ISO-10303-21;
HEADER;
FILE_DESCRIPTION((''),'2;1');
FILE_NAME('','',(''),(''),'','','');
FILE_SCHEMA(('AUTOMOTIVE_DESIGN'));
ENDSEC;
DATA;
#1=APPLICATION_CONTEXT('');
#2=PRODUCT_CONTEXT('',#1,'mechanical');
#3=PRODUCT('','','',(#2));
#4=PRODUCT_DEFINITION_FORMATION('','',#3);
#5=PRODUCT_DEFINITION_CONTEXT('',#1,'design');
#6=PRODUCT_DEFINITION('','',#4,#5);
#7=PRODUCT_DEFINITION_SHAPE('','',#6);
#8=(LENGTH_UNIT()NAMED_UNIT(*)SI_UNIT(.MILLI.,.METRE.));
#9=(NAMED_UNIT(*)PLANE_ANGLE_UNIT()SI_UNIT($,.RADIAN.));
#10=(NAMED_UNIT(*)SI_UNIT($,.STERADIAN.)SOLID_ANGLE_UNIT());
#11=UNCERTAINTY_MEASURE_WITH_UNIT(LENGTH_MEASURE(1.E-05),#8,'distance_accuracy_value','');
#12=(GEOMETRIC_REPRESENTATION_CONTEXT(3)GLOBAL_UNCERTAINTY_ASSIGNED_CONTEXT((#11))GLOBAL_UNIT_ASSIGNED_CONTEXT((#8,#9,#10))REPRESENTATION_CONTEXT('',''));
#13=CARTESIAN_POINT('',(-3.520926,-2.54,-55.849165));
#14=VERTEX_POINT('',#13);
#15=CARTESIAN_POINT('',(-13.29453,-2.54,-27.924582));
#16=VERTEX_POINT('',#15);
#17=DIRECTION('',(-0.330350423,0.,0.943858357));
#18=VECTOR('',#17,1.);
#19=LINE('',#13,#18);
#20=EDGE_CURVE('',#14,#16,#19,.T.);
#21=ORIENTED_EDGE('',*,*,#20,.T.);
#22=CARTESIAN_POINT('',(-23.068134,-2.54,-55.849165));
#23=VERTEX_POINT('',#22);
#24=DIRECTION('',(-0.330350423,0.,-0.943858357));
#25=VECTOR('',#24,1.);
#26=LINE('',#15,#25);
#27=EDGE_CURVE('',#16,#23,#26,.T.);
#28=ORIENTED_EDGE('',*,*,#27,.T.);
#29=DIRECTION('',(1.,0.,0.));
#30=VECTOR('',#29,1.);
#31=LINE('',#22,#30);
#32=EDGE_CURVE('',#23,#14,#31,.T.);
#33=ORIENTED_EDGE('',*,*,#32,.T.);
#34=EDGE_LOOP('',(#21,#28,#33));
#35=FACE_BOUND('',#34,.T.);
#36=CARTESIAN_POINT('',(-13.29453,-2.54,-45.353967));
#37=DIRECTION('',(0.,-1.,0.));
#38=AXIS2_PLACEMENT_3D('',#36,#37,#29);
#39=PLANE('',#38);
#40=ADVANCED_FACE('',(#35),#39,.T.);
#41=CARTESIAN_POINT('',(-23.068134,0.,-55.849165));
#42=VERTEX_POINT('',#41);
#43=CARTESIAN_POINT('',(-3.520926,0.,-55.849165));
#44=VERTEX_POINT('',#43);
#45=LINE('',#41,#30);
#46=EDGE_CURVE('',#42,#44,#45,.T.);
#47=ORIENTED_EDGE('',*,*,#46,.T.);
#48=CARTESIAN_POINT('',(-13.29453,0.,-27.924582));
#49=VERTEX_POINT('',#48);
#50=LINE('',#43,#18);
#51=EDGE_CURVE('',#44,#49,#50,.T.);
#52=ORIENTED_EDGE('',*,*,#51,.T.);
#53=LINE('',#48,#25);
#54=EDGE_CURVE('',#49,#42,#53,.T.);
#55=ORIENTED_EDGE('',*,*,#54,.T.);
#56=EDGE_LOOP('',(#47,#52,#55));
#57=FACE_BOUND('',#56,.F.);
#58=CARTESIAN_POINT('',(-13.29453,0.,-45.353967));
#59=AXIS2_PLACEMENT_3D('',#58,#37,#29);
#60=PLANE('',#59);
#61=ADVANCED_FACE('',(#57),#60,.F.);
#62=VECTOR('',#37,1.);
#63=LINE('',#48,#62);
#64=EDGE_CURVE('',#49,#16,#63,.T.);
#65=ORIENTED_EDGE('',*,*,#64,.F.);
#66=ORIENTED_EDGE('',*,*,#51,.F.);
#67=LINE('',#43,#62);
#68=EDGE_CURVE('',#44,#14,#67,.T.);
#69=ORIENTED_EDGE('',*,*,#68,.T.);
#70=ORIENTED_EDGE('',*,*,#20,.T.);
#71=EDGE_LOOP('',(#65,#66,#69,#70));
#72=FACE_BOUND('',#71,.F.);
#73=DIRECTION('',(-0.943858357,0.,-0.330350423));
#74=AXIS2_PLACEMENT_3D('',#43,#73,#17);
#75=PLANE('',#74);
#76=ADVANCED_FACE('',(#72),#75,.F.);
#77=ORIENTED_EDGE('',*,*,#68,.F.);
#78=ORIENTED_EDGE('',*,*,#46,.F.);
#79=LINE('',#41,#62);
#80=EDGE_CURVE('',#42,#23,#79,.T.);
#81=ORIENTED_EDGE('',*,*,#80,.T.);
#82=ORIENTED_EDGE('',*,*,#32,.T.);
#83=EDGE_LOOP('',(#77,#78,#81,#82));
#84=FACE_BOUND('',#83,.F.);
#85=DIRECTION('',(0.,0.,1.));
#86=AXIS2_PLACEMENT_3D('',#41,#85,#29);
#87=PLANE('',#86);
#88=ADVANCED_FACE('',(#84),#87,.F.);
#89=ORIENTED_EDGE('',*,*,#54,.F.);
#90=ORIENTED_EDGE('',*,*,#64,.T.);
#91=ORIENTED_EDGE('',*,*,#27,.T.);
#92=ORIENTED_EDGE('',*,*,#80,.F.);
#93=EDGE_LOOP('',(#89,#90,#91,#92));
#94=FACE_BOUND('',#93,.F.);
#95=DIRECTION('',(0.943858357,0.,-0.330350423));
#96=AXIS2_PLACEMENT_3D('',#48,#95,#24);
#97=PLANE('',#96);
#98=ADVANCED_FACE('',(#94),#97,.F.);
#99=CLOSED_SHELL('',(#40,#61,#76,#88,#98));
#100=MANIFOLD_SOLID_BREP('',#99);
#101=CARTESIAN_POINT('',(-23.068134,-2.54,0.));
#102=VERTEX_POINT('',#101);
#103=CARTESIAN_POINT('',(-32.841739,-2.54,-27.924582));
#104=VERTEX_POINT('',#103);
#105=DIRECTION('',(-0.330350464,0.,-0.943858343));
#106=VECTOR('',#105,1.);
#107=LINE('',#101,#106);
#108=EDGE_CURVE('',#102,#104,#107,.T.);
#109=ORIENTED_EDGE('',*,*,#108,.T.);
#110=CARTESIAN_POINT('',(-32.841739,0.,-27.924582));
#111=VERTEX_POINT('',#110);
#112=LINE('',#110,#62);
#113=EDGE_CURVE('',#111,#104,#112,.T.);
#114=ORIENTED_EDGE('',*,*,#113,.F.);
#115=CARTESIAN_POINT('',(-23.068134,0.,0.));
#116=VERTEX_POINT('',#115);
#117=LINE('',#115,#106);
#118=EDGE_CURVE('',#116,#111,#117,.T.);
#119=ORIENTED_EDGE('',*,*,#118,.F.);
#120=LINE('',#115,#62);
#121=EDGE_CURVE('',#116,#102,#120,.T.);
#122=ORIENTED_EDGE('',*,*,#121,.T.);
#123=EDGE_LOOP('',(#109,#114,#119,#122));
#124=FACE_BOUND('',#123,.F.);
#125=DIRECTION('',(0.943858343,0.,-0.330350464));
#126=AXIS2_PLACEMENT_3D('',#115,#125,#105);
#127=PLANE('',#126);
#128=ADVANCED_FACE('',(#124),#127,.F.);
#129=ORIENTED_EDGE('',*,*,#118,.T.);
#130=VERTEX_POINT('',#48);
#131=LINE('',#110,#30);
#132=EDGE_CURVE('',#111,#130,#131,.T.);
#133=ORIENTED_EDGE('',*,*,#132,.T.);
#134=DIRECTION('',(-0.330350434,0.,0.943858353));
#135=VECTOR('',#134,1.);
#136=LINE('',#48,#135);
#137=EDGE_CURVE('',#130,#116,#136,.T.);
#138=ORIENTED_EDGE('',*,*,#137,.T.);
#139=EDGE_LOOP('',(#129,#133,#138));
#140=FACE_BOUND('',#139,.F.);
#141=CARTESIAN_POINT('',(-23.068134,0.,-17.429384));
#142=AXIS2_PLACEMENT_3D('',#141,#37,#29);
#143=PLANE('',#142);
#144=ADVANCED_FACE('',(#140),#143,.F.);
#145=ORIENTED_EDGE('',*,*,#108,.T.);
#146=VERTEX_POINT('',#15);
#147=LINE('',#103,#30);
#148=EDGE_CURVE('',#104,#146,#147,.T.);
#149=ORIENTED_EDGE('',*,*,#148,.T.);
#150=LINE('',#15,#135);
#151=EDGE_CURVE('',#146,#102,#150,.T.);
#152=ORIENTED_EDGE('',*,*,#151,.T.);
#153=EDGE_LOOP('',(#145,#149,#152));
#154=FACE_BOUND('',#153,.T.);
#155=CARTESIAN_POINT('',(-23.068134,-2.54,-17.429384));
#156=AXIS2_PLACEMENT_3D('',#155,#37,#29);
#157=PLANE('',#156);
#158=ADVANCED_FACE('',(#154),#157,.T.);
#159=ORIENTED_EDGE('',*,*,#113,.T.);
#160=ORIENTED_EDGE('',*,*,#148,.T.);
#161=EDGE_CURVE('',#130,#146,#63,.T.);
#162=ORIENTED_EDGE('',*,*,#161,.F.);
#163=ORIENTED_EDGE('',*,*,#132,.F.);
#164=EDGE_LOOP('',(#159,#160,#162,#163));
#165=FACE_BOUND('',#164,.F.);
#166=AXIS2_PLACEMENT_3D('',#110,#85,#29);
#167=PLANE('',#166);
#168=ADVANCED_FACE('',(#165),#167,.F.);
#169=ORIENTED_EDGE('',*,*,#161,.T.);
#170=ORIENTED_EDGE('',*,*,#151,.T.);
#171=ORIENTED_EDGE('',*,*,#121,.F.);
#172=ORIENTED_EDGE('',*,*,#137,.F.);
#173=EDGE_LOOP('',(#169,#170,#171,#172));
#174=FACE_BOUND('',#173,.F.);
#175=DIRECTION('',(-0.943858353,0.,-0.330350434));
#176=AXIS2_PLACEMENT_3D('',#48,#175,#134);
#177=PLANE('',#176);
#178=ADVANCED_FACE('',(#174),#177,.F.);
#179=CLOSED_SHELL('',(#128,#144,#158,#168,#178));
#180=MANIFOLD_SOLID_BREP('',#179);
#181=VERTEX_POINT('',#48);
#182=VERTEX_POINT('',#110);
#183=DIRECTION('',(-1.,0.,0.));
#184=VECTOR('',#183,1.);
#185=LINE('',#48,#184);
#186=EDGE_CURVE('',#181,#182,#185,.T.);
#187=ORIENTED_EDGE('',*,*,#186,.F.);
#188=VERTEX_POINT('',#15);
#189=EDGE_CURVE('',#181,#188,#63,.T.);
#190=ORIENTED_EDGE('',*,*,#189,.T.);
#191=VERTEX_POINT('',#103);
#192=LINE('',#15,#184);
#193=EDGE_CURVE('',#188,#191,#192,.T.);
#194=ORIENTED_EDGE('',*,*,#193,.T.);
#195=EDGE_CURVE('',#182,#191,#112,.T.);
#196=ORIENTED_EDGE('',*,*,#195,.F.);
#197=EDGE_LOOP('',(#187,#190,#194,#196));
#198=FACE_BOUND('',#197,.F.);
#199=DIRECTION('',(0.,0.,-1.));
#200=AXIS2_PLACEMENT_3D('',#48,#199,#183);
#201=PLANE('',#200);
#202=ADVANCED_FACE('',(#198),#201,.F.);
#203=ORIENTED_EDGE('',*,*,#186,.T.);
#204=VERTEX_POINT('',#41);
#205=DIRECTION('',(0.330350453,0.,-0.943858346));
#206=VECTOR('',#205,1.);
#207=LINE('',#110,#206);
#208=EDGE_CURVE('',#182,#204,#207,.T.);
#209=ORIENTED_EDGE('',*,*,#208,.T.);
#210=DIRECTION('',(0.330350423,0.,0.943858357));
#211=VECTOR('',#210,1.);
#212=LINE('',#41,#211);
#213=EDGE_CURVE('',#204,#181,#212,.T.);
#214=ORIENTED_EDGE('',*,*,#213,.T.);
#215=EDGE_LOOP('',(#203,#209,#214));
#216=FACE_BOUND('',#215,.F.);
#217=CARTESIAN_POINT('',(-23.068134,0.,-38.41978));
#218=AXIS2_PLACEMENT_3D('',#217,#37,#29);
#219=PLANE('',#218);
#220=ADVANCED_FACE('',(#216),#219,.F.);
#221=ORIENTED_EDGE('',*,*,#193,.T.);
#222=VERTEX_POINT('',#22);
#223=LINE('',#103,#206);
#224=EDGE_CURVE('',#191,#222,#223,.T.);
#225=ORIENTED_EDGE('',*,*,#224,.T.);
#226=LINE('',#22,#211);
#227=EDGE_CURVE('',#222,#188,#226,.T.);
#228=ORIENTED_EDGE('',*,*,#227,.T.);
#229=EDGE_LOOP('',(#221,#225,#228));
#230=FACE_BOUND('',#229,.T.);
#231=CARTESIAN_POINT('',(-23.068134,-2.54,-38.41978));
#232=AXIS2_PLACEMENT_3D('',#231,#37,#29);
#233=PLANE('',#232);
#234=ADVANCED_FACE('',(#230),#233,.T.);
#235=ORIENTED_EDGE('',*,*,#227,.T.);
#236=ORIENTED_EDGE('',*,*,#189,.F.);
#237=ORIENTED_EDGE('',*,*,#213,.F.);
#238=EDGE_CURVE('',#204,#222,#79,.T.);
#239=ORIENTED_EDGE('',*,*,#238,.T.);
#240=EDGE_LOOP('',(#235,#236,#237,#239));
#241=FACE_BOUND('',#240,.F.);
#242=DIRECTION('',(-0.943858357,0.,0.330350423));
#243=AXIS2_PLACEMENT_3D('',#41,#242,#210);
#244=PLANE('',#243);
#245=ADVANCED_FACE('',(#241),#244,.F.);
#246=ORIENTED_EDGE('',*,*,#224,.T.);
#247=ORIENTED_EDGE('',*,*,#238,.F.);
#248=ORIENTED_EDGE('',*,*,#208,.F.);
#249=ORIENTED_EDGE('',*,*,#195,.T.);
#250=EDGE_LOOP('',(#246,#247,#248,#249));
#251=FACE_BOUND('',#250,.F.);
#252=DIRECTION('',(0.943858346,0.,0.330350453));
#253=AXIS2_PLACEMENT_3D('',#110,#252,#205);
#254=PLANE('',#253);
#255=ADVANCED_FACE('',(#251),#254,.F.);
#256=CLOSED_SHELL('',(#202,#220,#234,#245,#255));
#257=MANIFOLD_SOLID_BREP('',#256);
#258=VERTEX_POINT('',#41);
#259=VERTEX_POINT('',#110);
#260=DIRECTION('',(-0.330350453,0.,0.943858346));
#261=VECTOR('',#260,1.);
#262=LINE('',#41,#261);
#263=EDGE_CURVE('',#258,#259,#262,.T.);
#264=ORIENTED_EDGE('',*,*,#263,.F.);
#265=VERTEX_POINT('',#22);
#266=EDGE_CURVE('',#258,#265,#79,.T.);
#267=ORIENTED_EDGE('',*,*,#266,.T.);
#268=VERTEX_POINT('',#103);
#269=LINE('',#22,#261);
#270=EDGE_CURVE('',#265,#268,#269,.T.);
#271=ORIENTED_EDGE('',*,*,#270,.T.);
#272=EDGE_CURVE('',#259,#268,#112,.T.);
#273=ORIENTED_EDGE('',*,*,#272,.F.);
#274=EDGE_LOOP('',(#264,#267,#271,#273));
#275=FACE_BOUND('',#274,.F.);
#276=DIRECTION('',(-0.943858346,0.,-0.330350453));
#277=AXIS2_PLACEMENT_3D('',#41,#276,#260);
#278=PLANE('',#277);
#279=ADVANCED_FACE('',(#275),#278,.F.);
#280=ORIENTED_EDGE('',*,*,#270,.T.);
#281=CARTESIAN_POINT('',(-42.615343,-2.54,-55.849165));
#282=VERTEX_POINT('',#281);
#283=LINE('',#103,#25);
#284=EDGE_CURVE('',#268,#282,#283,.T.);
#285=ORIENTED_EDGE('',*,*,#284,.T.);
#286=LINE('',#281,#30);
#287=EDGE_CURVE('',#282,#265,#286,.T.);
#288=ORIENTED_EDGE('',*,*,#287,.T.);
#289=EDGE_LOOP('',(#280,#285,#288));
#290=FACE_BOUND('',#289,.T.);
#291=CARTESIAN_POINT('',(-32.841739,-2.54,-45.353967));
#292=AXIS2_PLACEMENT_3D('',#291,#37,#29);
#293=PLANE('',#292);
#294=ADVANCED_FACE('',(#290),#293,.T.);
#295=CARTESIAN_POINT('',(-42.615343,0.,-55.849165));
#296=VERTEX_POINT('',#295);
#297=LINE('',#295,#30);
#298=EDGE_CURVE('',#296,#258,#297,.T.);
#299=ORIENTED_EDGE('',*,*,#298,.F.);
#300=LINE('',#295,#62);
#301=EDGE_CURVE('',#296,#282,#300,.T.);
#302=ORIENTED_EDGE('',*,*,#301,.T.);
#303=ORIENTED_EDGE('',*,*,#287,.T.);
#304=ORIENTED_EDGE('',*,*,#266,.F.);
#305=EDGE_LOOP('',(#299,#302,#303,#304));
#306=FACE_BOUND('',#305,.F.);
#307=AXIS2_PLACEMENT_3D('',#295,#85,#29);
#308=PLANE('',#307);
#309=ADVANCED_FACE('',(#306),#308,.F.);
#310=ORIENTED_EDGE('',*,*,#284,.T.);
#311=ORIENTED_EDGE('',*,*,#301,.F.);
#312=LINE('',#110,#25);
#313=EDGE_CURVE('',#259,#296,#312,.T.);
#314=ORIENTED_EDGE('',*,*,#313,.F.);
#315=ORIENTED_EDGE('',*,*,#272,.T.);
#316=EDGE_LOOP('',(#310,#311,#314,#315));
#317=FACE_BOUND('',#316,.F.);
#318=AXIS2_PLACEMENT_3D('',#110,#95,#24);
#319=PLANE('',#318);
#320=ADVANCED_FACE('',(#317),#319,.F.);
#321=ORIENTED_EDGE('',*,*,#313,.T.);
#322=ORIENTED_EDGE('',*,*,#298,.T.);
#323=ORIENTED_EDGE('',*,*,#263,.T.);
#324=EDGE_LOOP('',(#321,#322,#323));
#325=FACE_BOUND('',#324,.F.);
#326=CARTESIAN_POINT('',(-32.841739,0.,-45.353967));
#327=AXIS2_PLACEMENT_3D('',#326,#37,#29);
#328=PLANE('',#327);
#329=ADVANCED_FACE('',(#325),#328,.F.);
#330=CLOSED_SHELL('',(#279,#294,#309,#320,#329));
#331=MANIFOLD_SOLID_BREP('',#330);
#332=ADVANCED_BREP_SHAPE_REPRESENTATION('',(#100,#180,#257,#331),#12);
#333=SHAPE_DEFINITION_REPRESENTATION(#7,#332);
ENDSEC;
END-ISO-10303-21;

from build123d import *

# Parameters (mm, degrees)
F1_DEPTH = 2.54
F2_DEPTH = 2.54


with BuildPart() as f1:
    # F0 (on Front) → F1 (new body)
    with BuildSketch(Plane.XZ):
        Polygon((-23.068134, 0), (-32.841739, -27.924582), (-13.29453, -27.924582), align=None)
        Polygon((-32.841739, -27.924582), (-42.615343, -55.849165), (-23.068134, -55.849165), align=None)
        Polygon((-13.29453, -27.924582), (-23.068134, -55.849165), (-3.520926, -55.849165), align=None)
    extrude(amount=F1_DEPTH)


with BuildPart() as f2:
    # F0 (on Front) → F2 (new body)
    with BuildSketch(Plane.XZ):
        Polygon((-32.841739, -27.924582), (-23.068134, -55.849165), (-13.29453, -27.924582), align=None)
    extrude(amount=F2_DEPTH)


solid = Compound([f1.part, f2.part])
